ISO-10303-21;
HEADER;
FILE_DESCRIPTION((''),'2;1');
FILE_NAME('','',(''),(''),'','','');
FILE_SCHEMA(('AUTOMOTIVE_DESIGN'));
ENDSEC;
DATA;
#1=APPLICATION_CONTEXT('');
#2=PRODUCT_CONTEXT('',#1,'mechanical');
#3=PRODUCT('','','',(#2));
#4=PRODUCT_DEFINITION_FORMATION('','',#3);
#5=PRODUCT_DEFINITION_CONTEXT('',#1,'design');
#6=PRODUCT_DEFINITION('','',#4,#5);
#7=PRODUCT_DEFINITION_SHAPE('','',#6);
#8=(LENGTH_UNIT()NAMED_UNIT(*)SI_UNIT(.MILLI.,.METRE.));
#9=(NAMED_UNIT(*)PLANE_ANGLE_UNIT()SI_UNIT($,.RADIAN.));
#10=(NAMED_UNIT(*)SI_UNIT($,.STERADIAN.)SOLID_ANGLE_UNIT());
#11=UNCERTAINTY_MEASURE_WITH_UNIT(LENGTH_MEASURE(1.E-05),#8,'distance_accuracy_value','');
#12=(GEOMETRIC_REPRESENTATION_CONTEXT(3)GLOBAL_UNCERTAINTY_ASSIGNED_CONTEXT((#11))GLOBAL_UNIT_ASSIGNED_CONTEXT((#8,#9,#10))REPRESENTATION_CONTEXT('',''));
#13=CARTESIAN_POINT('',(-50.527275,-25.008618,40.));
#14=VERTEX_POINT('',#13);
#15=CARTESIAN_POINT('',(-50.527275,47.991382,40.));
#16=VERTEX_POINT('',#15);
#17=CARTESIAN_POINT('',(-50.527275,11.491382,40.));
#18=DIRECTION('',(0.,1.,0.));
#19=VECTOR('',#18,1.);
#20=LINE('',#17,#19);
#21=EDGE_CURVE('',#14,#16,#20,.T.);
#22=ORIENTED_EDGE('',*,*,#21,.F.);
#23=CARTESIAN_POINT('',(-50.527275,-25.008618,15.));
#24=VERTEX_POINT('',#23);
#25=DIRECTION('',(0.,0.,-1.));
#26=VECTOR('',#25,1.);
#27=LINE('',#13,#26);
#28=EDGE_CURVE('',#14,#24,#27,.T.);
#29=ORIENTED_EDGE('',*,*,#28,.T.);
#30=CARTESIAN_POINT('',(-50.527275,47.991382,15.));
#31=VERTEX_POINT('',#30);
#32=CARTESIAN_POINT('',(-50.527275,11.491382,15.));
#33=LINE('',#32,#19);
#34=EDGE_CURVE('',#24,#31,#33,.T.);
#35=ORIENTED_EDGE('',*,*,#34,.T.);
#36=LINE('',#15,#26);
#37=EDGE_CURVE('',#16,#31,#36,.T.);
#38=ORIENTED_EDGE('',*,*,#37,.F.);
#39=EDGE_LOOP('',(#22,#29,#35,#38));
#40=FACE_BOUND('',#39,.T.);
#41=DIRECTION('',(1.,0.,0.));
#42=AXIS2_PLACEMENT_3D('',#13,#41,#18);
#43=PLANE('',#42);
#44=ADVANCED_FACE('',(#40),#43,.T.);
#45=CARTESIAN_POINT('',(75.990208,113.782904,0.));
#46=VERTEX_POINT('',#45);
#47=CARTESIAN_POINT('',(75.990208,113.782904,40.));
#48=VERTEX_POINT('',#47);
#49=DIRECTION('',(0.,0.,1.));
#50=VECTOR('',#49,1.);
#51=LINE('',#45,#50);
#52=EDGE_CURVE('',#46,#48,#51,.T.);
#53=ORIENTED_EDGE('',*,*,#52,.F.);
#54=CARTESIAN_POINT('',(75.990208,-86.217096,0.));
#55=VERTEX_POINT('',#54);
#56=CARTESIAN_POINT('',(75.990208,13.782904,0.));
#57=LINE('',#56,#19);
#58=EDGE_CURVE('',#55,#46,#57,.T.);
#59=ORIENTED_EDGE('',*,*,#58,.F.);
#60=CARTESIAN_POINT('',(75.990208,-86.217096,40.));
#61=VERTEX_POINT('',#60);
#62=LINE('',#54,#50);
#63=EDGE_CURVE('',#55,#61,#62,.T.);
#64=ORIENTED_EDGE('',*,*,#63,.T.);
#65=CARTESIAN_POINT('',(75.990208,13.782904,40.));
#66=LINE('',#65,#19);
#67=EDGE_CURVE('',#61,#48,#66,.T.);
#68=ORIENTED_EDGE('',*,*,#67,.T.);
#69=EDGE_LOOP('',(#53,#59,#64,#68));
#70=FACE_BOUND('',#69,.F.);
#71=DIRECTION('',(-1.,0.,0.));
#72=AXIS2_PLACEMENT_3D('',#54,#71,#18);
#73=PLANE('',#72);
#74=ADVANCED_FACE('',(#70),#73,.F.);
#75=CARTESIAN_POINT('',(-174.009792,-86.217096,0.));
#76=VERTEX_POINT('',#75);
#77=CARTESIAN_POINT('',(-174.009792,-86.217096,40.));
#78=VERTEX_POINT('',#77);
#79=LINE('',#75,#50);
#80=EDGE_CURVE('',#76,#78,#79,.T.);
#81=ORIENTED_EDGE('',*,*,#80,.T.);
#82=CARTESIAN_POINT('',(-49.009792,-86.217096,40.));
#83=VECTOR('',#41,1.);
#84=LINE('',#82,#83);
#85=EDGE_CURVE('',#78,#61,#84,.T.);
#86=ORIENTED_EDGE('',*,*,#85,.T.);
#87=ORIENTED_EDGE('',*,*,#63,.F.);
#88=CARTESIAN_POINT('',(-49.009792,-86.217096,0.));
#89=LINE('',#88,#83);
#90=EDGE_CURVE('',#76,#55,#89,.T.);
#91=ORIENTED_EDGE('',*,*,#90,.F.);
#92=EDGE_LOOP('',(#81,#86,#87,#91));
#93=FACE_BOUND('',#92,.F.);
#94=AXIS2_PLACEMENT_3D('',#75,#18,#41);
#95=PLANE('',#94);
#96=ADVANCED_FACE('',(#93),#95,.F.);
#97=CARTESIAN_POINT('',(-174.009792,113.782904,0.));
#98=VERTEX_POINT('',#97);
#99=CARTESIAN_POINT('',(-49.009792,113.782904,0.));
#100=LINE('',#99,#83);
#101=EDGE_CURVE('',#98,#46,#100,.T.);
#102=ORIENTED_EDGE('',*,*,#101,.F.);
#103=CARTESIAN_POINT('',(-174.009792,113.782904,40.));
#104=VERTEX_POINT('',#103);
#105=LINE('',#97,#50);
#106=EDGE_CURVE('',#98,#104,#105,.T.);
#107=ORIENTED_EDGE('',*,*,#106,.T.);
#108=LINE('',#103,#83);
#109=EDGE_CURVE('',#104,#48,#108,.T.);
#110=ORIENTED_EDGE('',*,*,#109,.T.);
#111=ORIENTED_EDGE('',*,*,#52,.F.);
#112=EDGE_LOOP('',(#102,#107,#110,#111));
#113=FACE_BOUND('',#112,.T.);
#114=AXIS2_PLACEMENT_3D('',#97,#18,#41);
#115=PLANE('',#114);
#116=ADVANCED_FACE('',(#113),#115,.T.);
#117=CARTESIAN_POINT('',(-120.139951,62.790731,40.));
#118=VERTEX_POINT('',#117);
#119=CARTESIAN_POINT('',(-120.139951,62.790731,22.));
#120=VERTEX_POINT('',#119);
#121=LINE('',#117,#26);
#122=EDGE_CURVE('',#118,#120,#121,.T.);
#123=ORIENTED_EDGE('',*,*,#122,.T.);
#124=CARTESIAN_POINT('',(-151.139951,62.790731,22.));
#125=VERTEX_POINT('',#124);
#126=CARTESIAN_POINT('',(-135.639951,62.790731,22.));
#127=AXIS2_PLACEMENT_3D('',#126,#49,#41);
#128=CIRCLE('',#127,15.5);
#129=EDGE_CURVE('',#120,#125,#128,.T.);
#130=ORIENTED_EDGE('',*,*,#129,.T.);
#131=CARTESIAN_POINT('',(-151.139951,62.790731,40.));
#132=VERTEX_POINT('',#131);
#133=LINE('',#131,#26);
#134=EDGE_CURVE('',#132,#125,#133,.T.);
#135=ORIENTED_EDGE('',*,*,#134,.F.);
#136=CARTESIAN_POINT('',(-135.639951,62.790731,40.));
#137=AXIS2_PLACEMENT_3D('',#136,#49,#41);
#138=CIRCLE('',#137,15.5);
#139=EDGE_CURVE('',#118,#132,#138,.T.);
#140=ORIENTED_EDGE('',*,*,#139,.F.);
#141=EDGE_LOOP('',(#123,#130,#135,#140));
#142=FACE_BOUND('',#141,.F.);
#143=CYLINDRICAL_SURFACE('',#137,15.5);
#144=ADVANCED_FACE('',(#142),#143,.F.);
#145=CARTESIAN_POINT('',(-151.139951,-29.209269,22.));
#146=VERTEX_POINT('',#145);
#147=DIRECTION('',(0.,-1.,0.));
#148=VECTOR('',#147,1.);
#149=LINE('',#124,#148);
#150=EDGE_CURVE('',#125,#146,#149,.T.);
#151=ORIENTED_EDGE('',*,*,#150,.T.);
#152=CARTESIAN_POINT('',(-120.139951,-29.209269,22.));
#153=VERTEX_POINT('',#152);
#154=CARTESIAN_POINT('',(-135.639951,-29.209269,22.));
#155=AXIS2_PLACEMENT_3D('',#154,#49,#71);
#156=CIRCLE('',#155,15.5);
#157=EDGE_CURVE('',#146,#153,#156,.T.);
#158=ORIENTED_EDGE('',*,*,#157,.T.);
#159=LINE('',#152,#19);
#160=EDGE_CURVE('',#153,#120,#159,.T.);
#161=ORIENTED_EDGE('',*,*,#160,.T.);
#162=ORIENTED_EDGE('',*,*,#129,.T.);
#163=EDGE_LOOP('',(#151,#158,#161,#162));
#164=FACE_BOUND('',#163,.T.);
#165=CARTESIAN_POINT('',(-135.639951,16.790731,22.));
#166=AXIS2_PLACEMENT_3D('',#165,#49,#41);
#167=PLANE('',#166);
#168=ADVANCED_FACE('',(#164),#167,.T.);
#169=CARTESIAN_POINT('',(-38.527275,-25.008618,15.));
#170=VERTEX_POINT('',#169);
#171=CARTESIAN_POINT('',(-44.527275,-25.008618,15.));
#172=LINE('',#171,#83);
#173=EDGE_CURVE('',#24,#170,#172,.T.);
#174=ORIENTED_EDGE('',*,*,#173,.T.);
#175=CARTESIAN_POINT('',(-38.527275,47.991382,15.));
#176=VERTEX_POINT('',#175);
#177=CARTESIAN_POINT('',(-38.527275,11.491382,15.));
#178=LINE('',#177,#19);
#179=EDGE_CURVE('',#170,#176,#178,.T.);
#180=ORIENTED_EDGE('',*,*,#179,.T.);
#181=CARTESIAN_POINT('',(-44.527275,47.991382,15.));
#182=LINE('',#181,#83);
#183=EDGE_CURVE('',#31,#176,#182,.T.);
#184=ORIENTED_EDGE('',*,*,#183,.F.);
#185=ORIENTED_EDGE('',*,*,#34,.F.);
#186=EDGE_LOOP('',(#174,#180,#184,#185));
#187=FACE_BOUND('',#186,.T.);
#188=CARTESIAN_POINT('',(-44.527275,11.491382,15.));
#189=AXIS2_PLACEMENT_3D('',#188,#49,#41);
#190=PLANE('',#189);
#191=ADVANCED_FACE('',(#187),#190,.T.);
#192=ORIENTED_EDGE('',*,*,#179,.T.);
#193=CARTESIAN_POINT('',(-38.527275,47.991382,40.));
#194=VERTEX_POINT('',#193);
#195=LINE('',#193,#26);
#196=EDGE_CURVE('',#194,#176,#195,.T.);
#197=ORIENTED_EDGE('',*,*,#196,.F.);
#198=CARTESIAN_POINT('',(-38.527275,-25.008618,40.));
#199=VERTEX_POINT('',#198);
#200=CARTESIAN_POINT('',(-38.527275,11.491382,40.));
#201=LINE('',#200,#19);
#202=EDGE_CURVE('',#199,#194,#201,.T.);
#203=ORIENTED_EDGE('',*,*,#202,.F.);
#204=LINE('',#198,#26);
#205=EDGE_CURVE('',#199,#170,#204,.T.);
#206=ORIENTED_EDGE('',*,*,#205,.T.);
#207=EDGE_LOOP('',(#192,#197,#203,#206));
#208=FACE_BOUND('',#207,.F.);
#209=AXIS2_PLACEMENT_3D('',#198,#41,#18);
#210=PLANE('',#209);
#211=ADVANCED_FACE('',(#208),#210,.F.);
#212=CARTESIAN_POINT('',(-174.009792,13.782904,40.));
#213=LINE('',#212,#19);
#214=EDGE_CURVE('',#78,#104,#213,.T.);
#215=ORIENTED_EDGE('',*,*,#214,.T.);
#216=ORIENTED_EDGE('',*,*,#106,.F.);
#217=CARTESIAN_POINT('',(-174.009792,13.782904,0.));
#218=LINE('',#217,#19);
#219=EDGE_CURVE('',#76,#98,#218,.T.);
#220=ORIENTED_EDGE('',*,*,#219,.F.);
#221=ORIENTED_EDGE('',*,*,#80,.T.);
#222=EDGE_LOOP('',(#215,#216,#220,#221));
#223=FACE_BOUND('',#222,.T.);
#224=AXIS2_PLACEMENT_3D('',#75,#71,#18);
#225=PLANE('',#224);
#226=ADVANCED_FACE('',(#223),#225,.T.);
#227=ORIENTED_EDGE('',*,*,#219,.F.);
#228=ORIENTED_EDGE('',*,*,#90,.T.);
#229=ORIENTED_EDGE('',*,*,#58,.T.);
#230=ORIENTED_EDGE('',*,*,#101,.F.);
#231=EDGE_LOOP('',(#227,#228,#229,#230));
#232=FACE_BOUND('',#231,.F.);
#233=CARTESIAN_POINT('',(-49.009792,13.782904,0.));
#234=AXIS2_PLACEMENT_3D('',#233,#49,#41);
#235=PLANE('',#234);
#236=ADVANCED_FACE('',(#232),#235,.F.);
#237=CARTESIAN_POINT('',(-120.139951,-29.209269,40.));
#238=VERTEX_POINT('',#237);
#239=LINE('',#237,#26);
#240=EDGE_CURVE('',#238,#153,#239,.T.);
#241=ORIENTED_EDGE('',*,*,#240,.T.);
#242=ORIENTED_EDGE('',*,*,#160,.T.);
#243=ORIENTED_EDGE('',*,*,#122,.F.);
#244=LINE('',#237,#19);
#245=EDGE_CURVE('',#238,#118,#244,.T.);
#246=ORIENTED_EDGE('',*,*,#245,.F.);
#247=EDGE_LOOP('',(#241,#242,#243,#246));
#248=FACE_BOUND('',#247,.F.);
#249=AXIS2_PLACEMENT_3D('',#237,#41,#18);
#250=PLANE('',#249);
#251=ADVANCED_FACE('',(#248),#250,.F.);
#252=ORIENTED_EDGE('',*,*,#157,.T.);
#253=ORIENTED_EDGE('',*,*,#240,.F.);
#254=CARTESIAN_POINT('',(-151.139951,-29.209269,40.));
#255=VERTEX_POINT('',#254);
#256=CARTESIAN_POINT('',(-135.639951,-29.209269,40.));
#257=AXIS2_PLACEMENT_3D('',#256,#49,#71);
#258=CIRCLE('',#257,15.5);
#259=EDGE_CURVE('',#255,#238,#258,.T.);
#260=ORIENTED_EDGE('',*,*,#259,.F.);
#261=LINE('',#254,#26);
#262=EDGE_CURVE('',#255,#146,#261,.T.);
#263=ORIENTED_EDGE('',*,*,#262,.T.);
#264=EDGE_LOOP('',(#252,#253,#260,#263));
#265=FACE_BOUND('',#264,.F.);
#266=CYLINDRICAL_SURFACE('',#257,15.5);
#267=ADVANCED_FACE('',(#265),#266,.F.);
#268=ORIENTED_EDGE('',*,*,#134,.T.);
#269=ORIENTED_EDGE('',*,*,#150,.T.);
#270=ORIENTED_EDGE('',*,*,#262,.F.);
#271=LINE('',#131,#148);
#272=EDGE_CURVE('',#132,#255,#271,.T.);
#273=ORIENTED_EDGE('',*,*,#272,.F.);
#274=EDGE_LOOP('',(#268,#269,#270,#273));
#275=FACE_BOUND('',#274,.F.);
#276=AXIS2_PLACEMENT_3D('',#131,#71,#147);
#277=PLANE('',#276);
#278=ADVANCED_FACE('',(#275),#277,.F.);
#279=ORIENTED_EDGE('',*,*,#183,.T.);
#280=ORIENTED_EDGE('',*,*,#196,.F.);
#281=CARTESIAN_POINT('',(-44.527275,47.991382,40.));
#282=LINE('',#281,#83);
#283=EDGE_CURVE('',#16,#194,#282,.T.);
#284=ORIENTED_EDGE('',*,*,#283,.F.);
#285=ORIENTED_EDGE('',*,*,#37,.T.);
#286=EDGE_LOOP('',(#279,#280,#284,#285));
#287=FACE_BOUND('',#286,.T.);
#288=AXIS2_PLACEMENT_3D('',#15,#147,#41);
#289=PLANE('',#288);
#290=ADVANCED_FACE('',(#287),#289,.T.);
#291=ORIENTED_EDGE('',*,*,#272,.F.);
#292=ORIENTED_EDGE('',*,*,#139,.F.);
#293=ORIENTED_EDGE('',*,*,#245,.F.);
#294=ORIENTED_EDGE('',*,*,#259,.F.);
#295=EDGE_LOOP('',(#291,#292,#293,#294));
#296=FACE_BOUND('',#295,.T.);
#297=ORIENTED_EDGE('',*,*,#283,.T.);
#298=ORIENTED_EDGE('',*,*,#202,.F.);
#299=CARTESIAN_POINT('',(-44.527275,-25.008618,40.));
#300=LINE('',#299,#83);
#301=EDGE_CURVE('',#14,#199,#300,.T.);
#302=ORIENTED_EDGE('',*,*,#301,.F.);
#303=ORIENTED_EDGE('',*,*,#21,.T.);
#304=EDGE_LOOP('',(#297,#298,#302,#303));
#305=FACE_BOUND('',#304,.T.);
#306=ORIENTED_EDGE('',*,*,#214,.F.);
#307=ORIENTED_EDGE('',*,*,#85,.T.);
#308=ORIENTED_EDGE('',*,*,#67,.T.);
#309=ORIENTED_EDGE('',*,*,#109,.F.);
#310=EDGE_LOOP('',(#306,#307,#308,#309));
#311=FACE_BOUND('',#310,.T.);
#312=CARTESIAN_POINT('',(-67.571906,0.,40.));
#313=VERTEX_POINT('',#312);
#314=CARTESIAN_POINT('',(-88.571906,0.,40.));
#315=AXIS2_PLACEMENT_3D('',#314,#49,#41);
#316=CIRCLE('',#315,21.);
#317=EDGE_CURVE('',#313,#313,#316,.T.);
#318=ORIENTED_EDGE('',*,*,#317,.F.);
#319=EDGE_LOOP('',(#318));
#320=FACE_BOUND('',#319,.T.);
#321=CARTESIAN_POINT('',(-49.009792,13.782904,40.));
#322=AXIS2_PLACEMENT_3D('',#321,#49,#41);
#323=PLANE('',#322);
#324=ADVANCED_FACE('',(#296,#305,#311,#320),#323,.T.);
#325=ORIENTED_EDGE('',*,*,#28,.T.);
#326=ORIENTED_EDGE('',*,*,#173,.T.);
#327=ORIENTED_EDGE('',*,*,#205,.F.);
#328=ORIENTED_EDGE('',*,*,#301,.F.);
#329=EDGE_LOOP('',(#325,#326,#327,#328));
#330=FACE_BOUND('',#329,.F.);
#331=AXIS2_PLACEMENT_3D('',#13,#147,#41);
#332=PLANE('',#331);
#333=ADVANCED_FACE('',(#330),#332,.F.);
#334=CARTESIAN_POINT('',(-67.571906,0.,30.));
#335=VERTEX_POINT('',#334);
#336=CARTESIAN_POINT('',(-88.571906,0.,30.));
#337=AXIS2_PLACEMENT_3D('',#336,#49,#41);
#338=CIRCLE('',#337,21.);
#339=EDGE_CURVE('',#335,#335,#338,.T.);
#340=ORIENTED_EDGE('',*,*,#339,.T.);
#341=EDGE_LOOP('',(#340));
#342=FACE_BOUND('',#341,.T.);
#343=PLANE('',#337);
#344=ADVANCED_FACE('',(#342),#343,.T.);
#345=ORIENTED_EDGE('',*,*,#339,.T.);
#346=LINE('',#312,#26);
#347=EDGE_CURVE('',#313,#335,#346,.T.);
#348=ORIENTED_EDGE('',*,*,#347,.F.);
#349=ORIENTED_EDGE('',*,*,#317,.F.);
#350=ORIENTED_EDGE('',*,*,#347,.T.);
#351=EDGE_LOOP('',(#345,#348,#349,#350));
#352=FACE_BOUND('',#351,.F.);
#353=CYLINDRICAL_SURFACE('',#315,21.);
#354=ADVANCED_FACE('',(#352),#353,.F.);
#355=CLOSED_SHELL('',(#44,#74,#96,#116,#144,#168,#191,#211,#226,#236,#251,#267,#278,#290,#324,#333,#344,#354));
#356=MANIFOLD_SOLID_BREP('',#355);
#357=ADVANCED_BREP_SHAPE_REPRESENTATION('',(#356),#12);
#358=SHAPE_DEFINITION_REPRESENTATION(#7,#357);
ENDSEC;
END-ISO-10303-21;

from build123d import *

# Parameters (mm, degrees)
F0_W      = 250
F0_H      = 200
F1_DEPTH  = 40
F3_DEPTH  = 18
F4_R      = 21
F5_DEPTH  = 10
F6_W      = 12
F6_H      = 73
F7_DEPTH  = 25
F8_W      = 155
F8_H      = 15
F9_DEPTH  = 25
F9_FACE_W = 155
F9_FACE_H = 25
F10_DEPTH = 47


with BuildPart() as f1:
    # F0 (on Top) → F1 (new body)
    with BuildSketch(Plane.XY):
        with Locations((-49.009792, 13.782904)):
            Rectangle(F0_W, F0_H)
    extrude(amount=F1_DEPTH)

    # F2 (on face) → F3 (cut)
    with BuildSketch(Plane.XY.offset(40)):
        with BuildLine():
            ThreePointArc((-151.139951, -29.209269), (-135.639951, -44.709269), (-120.139951, -29.209269))
            Line((-120.139951, -29.209269), (-120.139951, 62.790731))
            ThreePointArc((-120.139951, 62.790731), (-135.639951, 78.290731), (-151.139951, 62.790731))
            Line((-151.139951, 62.790731), (-151.139951, -29.209269))
        make_face()
    extrude(amount=-F3_DEPTH, mode=Mode.SUBTRACT)

    # F4 (on face) → F5 (cut)
    with BuildSketch(Plane.XY.offset(40)):
        with Locations((-88.571906, 0)):
            Circle(F4_R)
    extrude(amount=-F5_DEPTH, mode=Mode.SUBTRACT)

    # F6 (on face) → F7 (cut)
    with BuildSketch(Plane.XY.offset(40)):
        with Locations((-44.527275, 11.491382)):
            Rectangle(F6_W, F6_H)
    extrude(amount=-F7_DEPTH, mode=Mode.SUBTRACT)

    # F8 (on face) → F9 (join)
    with BuildSketch(Plane.XY.offset(40)):
        with Locations((-47.150943, 102.282946)):
            Rectangle(F8_W, F8_H)
    extrude(amount=F9_DEPTH)

    # F9_face (on face) → F10 (cut)
    with BuildSketch(Plane(origin=(-47.150943, 94.782946, 52.5), x_dir=(1, 0, 0), z_dir=(0, -1, 0))):
        Rectangle(F9_FACE_W, F9_FACE_H)
    extrude(amount=-F10_DEPTH, mode=Mode.SUBTRACT)


solid = f1.part
